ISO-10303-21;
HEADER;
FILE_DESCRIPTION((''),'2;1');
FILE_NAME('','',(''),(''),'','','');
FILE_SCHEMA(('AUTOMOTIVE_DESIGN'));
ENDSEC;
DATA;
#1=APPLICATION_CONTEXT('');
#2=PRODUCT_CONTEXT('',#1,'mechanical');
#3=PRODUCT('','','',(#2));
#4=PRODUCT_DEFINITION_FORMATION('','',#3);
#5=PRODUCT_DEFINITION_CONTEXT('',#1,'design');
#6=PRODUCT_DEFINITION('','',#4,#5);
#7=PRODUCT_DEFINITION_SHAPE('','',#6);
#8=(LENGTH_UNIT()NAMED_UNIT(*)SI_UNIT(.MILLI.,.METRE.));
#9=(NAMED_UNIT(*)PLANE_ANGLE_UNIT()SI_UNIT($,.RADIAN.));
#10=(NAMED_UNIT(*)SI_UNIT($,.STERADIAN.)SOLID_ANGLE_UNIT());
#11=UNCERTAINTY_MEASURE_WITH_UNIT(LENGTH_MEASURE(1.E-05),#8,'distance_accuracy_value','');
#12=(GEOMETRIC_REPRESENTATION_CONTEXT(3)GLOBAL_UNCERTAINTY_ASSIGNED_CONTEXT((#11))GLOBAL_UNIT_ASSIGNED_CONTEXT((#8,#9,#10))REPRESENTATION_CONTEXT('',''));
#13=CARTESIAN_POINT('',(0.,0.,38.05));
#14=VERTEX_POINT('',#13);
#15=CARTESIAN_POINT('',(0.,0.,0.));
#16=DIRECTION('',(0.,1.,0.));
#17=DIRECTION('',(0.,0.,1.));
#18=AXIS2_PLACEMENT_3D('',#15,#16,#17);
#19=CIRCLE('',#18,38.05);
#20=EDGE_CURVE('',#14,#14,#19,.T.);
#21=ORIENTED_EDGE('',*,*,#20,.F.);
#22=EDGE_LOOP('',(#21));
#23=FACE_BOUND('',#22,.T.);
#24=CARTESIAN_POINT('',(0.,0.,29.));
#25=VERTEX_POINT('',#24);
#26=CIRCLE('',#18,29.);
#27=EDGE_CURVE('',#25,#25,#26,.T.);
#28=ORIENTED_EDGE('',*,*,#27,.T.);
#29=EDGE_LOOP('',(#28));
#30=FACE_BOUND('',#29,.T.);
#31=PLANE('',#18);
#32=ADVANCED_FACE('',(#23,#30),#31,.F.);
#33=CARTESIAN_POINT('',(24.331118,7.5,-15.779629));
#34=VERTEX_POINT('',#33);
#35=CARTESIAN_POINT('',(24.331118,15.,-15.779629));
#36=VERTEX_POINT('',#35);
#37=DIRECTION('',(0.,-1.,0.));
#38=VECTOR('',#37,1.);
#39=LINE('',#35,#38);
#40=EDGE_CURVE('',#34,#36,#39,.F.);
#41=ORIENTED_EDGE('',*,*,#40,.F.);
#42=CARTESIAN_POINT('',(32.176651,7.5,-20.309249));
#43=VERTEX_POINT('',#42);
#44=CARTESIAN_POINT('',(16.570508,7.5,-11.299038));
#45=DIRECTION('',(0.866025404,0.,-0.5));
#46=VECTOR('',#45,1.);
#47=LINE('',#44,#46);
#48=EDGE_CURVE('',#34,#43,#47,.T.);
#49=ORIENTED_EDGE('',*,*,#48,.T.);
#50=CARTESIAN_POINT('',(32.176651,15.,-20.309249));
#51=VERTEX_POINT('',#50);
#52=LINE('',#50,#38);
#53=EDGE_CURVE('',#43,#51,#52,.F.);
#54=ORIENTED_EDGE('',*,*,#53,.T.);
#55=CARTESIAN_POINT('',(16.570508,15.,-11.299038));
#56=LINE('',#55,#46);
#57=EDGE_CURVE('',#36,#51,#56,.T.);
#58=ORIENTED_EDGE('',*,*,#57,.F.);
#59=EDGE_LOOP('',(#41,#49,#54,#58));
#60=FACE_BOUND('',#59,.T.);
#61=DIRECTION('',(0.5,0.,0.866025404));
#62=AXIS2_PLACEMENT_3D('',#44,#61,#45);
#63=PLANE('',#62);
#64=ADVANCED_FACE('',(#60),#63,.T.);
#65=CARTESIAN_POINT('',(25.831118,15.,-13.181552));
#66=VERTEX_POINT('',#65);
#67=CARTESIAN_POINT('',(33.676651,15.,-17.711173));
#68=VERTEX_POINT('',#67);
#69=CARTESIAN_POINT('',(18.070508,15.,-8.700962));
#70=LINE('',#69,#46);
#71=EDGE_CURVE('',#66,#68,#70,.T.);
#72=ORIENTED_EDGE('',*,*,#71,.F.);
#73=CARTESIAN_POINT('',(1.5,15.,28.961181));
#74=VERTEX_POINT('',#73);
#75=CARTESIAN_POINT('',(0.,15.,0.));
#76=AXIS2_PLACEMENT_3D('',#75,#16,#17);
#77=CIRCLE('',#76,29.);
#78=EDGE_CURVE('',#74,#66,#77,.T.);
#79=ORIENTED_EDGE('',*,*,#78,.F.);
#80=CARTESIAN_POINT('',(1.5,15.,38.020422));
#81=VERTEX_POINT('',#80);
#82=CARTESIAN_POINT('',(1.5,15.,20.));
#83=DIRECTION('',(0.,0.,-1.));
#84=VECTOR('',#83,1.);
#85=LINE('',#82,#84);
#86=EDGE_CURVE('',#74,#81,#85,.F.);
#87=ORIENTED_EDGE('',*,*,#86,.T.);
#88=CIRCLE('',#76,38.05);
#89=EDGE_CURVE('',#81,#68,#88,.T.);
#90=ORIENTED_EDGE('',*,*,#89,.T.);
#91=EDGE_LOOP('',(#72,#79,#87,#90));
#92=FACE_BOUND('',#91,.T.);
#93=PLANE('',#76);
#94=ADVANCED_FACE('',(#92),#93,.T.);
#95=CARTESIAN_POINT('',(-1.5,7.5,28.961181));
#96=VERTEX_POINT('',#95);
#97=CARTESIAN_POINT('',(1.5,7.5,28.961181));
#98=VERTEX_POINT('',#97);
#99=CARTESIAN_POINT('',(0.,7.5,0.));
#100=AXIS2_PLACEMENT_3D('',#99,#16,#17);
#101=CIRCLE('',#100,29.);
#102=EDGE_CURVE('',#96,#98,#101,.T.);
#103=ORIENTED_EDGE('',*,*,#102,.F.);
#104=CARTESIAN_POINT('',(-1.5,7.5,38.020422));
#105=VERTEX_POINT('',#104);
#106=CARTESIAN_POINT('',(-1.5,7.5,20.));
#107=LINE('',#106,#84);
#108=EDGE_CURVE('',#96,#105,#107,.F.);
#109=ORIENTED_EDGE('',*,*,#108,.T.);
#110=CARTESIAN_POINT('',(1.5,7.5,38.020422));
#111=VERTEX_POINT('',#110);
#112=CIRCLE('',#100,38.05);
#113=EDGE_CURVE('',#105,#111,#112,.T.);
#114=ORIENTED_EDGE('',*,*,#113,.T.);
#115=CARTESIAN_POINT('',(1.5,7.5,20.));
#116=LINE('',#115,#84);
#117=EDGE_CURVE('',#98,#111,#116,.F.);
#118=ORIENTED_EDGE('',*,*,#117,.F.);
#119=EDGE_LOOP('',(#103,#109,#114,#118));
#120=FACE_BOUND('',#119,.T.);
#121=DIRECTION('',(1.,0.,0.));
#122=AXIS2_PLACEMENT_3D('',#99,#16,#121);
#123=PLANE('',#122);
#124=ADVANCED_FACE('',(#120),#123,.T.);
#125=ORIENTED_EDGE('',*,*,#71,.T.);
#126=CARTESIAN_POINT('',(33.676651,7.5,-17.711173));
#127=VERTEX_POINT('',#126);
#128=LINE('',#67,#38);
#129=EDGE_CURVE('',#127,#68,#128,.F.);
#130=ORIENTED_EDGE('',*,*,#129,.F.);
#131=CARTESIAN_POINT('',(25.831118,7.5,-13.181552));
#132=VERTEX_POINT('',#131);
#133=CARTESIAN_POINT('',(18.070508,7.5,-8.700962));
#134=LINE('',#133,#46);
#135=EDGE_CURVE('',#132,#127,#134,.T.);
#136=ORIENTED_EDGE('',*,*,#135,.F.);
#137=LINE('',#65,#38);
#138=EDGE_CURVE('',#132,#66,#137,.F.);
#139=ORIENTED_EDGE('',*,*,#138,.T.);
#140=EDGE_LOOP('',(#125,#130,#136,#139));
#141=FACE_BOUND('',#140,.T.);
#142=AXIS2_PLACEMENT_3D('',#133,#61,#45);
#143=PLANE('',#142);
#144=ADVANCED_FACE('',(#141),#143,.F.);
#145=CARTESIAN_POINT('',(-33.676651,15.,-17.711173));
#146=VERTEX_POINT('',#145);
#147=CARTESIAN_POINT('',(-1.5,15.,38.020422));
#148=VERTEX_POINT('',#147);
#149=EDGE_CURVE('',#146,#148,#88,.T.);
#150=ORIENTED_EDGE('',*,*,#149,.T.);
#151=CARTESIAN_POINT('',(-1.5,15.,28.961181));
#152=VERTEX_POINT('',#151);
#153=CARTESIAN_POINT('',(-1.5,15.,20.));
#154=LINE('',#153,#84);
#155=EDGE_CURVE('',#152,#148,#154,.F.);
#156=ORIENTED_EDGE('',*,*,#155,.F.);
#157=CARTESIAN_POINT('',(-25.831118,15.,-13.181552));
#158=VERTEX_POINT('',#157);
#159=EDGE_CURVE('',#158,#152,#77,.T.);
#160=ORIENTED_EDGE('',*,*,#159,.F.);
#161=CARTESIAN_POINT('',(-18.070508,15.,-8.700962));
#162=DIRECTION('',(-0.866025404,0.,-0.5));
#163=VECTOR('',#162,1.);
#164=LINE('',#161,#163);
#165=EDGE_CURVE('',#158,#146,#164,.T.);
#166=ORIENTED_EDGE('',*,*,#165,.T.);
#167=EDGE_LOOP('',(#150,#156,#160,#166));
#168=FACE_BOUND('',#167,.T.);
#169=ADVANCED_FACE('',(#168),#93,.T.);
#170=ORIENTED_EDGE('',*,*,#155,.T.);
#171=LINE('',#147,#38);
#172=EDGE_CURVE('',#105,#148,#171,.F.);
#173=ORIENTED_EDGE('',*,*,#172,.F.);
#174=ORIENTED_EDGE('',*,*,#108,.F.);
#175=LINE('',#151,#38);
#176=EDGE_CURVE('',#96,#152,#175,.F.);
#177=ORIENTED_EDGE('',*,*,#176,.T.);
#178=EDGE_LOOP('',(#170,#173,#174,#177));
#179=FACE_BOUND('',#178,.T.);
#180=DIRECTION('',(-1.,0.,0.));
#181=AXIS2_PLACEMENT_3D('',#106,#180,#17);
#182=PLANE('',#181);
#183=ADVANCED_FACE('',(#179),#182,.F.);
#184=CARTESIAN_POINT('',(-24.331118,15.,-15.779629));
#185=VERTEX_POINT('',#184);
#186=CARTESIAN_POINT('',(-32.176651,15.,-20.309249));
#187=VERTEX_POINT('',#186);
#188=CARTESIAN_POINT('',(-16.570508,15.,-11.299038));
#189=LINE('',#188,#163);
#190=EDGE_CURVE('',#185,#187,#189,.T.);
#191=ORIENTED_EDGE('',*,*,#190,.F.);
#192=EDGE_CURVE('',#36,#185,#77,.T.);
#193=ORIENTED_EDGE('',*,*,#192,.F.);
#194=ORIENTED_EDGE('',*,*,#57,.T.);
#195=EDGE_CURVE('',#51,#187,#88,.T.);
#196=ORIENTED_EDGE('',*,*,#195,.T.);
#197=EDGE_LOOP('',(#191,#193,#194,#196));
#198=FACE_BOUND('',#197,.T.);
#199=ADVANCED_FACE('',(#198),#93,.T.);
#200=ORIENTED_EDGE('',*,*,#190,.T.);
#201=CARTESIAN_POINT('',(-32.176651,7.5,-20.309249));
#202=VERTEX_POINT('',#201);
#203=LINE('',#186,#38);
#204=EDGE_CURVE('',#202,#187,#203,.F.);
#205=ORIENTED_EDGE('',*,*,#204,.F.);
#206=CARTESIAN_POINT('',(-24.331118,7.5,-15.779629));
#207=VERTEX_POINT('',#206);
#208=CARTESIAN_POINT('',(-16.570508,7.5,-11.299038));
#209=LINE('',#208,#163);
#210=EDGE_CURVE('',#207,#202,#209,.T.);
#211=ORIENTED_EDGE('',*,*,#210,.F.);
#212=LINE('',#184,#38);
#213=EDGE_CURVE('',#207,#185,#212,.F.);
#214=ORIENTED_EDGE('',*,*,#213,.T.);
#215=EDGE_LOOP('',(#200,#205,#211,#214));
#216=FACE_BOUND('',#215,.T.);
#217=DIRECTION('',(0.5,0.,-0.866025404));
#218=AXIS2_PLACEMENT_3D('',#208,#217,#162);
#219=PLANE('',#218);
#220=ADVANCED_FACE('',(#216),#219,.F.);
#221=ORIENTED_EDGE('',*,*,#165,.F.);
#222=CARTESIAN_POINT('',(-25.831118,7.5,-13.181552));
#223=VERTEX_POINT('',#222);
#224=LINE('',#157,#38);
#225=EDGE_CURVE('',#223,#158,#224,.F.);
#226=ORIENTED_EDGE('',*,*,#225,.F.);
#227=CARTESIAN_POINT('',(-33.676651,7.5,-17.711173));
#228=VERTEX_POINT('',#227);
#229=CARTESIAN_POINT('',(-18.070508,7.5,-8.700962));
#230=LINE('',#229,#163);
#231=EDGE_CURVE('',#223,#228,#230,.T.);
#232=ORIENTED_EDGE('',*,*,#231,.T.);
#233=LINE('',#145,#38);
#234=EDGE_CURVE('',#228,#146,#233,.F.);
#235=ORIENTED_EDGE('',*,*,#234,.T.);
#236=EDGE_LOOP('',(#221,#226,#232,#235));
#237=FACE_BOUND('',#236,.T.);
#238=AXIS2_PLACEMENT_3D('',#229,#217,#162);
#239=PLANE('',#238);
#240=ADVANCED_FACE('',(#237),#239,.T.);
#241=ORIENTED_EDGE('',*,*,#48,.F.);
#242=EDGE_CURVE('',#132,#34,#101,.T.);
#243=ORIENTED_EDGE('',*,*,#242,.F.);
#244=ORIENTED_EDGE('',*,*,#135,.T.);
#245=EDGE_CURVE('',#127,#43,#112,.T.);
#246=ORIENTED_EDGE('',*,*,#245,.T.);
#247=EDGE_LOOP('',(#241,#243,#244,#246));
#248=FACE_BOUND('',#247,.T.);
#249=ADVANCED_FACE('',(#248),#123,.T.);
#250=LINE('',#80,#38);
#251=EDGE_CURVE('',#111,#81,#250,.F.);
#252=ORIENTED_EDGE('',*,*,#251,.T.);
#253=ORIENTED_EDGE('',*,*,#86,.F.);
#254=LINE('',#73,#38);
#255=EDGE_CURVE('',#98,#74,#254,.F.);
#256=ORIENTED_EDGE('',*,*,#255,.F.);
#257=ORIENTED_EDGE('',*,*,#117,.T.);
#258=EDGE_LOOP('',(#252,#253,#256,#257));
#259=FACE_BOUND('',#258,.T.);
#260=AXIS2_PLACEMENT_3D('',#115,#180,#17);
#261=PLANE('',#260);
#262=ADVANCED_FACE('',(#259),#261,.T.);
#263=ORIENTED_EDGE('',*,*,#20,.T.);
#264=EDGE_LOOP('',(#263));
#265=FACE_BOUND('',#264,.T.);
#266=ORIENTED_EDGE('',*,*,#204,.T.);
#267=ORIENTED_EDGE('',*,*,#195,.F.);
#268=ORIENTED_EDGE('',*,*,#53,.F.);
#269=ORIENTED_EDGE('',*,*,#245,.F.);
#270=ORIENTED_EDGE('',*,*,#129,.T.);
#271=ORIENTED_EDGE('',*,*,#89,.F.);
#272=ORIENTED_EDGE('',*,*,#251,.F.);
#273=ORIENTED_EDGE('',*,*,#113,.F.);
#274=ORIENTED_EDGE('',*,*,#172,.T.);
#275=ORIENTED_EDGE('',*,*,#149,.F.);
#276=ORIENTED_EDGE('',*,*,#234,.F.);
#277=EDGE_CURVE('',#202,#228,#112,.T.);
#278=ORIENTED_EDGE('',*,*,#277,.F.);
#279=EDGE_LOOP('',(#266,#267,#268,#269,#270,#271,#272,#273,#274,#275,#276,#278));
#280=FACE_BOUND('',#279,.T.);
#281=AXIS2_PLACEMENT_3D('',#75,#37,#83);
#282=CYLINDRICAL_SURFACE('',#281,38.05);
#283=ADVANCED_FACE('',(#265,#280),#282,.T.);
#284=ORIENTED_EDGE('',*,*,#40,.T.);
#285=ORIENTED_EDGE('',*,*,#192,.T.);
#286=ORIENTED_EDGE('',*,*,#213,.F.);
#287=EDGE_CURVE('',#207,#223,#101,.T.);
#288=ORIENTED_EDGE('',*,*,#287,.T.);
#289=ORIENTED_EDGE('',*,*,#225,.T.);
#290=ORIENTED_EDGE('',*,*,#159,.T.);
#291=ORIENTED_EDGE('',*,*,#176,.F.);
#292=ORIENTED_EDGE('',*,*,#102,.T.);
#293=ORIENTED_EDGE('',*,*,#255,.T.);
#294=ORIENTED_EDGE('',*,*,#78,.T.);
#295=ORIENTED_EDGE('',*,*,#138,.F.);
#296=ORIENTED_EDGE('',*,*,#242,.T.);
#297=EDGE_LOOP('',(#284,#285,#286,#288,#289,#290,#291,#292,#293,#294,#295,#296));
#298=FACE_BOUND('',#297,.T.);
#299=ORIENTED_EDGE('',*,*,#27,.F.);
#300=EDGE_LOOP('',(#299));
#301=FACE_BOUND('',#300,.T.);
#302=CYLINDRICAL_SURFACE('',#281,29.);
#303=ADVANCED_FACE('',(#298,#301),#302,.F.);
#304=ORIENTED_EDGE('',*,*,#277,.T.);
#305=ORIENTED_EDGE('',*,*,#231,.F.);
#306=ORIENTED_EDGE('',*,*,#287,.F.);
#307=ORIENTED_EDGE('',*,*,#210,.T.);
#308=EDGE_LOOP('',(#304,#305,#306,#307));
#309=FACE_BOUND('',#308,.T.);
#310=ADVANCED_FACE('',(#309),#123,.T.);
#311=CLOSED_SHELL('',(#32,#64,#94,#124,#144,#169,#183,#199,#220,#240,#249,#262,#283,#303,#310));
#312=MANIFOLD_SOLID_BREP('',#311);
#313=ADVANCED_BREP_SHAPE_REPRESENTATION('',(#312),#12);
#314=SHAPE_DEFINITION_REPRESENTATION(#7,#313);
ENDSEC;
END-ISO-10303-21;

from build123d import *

# Parameters (mm, degrees)
SKETCH1_R               = 38.05
SKETCH1_R_2             = 29
BOSS_EXTRUDE1_DEPTH     = 15
SKETCH3_R               = 21.5
SKETCH3_R_2             = 18.5
SKETCH3_R_3             = 54.301992004
SKETCH3_R_4             = 51.301992004
SKETCH3_W               = 3
SKETCH3_H               = 32.801992004
CUT_EXTRUDE_THIN1_DEPTH = 7.5


with BuildPart() as part:
    # Sketch1 → Boss-Extrude1 (new body)
    with BuildSketch(Plane(origin=(0, 0, 0), x_dir=(1, 0, 0), z_dir=(0, 1, 0))):
        Circle(SKETCH1_R)
        Circle(SKETCH1_R_2, mode=Mode.SUBTRACT)
    extrude(amount=BOSS_EXTRUDE1_DEPTH)

    # Sketch3 → Cut-Extrude-Thin1 (cut)
    with BuildSketch(Plane(origin=(0, 15, 0), x_dir=(1, 0, 0), z_dir=(0, 1, 0))):
        Circle(SKETCH3_R)
        Circle(SKETCH3_R_2, mode=Mode.SUBTRACT)
        Circle(SKETCH3_R_3)
        Circle(SKETCH3_R_4, mode=Mode.SUBTRACT)
        with Locations((0, -36.400996002)):
            Rectangle(SKETCH3_W, SKETCH3_H)
        Polygon((-16.570508076, 11.299038106), (-44.977866446, 27.700034108), (-46.477866446, 25.101957897), (-18.070508076, 8.700961894), align=None)
        Polygon((18.070508076, 8.700961894), (46.477866446, 25.101957897), (44.977866446, 27.700034108), (16.570508076, 11.299038106), align=None)
    extrude(amount=-CUT_EXTRUDE_THIN1_DEPTH, mode=Mode.SUBTRACT)


solid = part.part
